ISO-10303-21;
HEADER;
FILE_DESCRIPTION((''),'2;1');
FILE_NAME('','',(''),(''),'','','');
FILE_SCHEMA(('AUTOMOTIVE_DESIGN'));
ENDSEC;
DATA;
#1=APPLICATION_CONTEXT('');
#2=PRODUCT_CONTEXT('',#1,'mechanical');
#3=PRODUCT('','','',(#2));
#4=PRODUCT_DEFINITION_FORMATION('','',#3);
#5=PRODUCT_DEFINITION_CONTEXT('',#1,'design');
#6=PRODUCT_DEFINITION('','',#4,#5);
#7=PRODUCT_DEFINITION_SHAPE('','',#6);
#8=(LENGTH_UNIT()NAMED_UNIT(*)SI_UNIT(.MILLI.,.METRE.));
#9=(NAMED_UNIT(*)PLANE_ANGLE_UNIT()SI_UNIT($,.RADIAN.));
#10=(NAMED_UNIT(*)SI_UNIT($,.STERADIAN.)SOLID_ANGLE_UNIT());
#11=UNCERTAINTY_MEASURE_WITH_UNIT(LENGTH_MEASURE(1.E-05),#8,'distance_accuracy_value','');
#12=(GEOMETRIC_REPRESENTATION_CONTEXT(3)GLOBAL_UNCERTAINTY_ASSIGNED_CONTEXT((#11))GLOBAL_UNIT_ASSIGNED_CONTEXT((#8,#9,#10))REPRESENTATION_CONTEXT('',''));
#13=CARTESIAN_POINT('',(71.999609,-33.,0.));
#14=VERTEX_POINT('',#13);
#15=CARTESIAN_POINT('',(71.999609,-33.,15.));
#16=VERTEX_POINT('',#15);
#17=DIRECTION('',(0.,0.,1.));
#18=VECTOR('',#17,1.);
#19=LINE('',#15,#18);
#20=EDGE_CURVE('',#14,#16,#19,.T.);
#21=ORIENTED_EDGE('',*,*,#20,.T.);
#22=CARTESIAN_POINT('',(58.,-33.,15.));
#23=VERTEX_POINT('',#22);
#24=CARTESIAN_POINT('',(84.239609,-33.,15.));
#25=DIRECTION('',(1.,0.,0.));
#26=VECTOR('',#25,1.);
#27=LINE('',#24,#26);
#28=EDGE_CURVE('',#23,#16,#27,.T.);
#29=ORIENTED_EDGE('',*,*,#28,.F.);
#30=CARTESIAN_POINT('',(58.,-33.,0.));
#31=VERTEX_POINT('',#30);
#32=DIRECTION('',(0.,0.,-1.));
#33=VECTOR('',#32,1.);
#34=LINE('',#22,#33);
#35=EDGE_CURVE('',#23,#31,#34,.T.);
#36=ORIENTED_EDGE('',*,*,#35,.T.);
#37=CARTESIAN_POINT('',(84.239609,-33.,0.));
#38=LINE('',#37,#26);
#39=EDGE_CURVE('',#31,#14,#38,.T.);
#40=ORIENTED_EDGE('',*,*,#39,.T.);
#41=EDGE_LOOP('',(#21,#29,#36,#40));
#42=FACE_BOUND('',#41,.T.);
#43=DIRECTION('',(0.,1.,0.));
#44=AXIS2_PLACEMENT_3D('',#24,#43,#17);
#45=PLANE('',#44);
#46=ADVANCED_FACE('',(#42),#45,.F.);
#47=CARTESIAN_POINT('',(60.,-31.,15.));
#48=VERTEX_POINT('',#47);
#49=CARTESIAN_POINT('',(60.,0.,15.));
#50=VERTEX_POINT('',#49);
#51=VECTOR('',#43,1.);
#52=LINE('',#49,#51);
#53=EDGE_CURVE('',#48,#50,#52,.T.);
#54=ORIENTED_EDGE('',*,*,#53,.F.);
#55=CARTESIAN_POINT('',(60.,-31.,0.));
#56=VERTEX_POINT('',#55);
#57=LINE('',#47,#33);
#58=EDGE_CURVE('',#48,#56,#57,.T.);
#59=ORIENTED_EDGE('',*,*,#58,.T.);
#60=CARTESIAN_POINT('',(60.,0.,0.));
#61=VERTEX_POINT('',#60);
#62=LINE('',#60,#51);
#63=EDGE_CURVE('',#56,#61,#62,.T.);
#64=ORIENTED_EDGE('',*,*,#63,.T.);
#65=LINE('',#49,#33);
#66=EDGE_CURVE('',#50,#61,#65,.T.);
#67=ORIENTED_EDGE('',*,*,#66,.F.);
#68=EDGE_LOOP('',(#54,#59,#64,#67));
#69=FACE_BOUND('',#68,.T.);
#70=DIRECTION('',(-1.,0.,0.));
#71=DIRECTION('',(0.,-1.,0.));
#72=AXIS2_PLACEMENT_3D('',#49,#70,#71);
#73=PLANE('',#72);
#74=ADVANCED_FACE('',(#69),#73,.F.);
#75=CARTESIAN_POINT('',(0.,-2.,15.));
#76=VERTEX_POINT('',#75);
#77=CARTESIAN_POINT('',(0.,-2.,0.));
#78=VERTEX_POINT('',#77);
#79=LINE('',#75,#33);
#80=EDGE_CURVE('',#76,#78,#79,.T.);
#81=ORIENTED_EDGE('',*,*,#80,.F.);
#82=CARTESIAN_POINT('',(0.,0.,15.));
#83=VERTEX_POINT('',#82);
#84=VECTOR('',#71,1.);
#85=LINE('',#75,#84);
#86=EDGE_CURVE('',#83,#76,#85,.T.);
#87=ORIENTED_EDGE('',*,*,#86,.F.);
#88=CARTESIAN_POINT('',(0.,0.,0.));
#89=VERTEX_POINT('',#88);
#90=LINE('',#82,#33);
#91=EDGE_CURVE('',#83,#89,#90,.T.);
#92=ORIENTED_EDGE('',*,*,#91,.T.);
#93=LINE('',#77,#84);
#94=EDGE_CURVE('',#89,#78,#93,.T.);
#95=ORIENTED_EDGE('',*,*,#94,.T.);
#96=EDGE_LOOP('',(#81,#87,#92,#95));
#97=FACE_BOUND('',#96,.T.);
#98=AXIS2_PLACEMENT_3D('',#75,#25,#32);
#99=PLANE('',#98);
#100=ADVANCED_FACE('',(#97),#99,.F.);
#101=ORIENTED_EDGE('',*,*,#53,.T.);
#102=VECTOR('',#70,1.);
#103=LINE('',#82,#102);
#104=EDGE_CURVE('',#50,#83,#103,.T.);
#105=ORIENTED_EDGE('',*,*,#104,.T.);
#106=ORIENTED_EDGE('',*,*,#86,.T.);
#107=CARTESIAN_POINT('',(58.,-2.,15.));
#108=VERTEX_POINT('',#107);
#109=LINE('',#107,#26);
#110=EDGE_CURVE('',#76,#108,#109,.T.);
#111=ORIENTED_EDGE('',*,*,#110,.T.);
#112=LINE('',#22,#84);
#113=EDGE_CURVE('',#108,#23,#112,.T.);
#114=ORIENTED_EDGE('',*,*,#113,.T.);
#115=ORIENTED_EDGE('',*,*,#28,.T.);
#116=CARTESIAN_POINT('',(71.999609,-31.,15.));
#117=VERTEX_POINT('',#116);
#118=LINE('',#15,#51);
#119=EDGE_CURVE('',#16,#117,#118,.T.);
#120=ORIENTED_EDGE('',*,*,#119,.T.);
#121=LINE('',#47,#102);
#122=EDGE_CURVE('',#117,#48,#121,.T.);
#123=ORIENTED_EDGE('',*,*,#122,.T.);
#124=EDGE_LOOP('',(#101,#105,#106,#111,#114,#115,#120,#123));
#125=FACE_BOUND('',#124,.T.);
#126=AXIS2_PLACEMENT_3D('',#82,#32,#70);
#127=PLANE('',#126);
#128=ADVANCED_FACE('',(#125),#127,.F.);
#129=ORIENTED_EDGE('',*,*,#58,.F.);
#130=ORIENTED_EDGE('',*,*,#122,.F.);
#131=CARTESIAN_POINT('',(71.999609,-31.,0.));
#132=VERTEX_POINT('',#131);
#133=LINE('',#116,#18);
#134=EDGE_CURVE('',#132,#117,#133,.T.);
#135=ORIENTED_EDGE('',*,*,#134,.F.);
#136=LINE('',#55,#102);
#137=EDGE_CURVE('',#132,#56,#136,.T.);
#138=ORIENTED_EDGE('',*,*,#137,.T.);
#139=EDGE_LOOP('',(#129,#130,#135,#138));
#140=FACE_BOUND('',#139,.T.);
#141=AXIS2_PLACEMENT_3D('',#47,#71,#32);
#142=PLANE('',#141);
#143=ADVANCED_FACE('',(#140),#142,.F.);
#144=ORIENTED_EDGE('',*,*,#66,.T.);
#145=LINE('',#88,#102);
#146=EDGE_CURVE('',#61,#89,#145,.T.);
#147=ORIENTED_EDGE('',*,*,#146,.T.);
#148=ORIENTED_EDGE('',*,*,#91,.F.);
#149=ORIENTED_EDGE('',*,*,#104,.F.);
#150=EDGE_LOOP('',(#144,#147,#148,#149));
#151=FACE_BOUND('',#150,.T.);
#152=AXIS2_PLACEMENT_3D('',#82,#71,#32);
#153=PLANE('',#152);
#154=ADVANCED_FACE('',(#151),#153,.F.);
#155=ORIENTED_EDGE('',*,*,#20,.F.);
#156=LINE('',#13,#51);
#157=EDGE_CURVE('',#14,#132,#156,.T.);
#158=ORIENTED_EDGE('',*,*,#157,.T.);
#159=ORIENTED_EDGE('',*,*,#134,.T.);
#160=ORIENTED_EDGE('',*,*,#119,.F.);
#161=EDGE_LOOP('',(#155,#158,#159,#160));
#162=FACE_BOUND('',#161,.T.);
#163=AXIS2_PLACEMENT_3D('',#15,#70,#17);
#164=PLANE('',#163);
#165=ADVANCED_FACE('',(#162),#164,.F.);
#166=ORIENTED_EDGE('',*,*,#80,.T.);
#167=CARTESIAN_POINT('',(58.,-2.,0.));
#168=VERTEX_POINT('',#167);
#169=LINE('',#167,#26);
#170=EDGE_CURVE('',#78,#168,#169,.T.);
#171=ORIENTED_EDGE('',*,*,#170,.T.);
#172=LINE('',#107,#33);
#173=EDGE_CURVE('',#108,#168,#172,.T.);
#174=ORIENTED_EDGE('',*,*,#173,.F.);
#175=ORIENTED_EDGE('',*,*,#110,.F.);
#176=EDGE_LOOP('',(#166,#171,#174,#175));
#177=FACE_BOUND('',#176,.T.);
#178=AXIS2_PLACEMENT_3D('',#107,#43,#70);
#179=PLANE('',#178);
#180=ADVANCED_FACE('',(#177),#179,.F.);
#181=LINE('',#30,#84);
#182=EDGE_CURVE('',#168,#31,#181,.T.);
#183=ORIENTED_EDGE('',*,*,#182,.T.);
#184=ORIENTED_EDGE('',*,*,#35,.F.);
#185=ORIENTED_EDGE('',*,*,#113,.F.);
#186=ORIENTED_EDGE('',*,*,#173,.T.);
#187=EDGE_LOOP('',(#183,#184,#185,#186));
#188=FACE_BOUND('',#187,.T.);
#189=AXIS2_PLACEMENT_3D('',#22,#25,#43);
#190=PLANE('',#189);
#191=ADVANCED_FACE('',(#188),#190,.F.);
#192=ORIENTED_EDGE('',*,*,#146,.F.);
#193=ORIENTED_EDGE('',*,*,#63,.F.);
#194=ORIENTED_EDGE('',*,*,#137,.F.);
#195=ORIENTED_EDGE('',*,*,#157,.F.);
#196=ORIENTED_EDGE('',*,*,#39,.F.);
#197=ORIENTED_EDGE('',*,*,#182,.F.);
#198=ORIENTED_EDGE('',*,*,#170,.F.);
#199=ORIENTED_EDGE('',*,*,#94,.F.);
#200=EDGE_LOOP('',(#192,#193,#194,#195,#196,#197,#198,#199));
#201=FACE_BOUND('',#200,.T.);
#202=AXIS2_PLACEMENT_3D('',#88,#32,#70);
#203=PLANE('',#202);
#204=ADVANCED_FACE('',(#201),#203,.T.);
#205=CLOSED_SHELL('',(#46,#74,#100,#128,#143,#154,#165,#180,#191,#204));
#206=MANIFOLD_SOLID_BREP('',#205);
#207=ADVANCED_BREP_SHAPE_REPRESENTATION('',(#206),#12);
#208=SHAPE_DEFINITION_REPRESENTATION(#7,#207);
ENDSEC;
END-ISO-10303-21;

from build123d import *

# Parameters (mm, degrees)
AUFSATZ_LINEAR_AUSTRAGEN1_DEPTH = 15
SKIZZE4_W                       = 12.24
SKIZZE4_H                       = 15
SCHNITT_LINEAR_AUSTRAGEN1_DEPTH = 2


with BuildPart() as part:
    # Skizze2 → Aufsatz-Linear austragen1 (new body)
    with BuildSketch(Plane.XY):
        Polygon((0, 0), (60, 0), (60, -31), (84.23960897, -31), (84.23960897, -33), (58, -33), (58, -2), (0, -2), align=None)
    extrude(amount=AUFSATZ_LINEAR_AUSTRAGEN1_DEPTH)

    # Skizze4 → Schnitt-Linear austragen1 (cut)
    with BuildSketch(Plane(origin=(0, -31, 0), x_dir=(1, 0, 0), z_dir=(0, 1, 0))):
        with Locations((78.11960897, -7.5)):
            Rectangle(SKIZZE4_W, SKIZZE4_H)
    extrude(amount=-SCHNITT_LINEAR_AUSTRAGEN1_DEPTH, mode=Mode.SUBTRACT)


solid = part.part
